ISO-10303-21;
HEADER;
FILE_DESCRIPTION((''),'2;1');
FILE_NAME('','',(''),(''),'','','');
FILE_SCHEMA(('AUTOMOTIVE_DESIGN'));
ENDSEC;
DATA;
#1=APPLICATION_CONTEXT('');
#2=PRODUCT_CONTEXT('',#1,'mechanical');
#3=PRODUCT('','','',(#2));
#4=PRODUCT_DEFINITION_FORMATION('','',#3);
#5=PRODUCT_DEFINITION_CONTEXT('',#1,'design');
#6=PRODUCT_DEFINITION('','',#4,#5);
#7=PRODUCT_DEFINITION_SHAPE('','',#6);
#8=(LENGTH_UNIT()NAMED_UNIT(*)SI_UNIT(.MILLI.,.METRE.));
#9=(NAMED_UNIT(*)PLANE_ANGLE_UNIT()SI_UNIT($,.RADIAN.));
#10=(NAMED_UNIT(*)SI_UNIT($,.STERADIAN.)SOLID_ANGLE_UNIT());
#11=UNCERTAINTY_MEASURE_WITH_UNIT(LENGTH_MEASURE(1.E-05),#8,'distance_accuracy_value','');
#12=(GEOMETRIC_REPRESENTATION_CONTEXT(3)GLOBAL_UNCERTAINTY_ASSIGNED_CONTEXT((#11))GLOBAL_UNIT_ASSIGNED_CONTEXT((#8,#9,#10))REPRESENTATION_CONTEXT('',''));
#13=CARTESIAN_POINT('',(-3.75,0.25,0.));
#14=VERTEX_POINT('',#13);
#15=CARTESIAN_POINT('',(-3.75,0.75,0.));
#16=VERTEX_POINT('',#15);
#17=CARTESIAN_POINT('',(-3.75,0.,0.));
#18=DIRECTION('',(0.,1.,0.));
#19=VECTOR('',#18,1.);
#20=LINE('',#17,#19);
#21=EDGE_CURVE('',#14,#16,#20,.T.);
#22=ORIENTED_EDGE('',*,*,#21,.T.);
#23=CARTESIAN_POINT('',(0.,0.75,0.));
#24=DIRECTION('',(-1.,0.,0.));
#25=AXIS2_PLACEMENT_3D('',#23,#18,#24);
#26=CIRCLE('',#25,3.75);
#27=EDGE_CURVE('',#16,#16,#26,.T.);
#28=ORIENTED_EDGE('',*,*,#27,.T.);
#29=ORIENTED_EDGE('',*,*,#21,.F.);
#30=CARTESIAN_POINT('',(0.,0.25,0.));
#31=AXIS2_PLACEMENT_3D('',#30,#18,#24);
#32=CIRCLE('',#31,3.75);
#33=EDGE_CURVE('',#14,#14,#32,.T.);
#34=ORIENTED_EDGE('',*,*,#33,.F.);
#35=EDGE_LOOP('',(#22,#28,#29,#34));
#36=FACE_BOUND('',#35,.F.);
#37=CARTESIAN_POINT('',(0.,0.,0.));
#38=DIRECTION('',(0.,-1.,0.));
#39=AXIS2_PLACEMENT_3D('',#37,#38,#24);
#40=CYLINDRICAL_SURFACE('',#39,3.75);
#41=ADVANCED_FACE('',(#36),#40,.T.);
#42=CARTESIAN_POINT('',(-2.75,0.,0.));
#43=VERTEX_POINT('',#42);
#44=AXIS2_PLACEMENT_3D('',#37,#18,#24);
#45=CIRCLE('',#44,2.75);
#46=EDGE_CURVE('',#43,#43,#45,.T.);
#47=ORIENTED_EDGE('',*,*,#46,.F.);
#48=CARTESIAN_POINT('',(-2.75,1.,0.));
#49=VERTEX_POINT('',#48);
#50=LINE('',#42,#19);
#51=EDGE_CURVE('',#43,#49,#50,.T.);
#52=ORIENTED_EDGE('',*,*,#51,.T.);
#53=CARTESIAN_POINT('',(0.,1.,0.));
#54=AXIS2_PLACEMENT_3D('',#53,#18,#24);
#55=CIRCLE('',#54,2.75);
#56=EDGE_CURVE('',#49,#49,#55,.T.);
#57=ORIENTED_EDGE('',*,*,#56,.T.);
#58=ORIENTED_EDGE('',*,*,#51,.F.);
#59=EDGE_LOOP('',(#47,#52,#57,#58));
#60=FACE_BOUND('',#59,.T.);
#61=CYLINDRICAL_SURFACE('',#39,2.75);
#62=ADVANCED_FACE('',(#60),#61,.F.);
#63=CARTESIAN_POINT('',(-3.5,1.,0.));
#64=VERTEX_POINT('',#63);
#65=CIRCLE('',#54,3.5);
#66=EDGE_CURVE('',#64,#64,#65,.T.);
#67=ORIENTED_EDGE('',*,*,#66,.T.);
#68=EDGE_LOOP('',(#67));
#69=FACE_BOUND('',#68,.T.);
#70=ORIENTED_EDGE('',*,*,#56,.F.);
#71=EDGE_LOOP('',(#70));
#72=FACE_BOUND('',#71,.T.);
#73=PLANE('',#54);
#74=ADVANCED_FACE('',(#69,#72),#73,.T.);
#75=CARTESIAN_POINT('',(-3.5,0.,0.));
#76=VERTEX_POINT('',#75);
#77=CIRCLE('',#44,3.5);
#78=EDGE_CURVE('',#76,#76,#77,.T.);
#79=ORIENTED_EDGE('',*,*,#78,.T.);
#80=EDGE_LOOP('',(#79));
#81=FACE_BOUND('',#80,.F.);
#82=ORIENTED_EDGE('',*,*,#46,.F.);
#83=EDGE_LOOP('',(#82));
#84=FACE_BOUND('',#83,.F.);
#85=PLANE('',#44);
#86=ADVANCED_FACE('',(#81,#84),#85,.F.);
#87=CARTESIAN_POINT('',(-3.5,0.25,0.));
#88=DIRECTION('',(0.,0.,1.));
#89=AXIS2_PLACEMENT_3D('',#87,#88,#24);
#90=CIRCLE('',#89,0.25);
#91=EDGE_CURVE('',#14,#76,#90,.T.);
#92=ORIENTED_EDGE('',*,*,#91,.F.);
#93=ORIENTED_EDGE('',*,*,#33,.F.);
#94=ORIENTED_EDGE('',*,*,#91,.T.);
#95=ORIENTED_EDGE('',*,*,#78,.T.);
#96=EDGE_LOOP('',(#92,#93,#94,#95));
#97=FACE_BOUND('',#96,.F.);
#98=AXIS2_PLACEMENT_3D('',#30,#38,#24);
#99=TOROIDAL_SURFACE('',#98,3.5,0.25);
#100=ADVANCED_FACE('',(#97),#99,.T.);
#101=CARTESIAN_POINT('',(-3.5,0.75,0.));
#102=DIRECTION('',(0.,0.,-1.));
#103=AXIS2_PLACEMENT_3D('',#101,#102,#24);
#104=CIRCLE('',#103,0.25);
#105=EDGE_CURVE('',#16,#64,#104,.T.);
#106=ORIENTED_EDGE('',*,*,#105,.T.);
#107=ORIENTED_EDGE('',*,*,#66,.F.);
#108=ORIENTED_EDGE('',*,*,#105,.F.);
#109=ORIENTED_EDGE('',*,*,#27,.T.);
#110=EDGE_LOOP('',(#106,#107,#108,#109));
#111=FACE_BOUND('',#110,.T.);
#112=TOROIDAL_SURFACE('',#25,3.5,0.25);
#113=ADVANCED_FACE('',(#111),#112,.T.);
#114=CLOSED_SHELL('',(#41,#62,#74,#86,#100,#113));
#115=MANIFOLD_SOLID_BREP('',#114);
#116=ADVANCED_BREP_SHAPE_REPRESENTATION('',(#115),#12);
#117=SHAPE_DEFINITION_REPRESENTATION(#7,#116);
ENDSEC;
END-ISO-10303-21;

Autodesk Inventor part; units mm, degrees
ref_plane "YZ Plane" through (0, 0, 0) normal (1, 0, 0) x (0, 1, 0)
ref_plane "XZ Plane" through (0, 0, 0) normal (0, 1, 0) x (-1, 0, 0)
ref_plane "XY Plane" through (0, 0, 0) normal (0, 0, 1) x (1, 0, 0)
sketch "草图1" plane through (0, 0, 0) normal (0, 1, 0) x (-1, 0, 0)
  circle A0 centre (0, 0) radius 2.75
  circle A1 centre (0, 0) radius 3.75
  dimension "d0" = 5.5
  dimension "d1" = 7.5
extrude "拉伸1" add sketch "草图1" along normal blind 1
fillet "圆角1" radius 0.25 2 edges at (3.75, 1, 0) (3.75, 0, 0)
properties part number "垫圈（底部）"
